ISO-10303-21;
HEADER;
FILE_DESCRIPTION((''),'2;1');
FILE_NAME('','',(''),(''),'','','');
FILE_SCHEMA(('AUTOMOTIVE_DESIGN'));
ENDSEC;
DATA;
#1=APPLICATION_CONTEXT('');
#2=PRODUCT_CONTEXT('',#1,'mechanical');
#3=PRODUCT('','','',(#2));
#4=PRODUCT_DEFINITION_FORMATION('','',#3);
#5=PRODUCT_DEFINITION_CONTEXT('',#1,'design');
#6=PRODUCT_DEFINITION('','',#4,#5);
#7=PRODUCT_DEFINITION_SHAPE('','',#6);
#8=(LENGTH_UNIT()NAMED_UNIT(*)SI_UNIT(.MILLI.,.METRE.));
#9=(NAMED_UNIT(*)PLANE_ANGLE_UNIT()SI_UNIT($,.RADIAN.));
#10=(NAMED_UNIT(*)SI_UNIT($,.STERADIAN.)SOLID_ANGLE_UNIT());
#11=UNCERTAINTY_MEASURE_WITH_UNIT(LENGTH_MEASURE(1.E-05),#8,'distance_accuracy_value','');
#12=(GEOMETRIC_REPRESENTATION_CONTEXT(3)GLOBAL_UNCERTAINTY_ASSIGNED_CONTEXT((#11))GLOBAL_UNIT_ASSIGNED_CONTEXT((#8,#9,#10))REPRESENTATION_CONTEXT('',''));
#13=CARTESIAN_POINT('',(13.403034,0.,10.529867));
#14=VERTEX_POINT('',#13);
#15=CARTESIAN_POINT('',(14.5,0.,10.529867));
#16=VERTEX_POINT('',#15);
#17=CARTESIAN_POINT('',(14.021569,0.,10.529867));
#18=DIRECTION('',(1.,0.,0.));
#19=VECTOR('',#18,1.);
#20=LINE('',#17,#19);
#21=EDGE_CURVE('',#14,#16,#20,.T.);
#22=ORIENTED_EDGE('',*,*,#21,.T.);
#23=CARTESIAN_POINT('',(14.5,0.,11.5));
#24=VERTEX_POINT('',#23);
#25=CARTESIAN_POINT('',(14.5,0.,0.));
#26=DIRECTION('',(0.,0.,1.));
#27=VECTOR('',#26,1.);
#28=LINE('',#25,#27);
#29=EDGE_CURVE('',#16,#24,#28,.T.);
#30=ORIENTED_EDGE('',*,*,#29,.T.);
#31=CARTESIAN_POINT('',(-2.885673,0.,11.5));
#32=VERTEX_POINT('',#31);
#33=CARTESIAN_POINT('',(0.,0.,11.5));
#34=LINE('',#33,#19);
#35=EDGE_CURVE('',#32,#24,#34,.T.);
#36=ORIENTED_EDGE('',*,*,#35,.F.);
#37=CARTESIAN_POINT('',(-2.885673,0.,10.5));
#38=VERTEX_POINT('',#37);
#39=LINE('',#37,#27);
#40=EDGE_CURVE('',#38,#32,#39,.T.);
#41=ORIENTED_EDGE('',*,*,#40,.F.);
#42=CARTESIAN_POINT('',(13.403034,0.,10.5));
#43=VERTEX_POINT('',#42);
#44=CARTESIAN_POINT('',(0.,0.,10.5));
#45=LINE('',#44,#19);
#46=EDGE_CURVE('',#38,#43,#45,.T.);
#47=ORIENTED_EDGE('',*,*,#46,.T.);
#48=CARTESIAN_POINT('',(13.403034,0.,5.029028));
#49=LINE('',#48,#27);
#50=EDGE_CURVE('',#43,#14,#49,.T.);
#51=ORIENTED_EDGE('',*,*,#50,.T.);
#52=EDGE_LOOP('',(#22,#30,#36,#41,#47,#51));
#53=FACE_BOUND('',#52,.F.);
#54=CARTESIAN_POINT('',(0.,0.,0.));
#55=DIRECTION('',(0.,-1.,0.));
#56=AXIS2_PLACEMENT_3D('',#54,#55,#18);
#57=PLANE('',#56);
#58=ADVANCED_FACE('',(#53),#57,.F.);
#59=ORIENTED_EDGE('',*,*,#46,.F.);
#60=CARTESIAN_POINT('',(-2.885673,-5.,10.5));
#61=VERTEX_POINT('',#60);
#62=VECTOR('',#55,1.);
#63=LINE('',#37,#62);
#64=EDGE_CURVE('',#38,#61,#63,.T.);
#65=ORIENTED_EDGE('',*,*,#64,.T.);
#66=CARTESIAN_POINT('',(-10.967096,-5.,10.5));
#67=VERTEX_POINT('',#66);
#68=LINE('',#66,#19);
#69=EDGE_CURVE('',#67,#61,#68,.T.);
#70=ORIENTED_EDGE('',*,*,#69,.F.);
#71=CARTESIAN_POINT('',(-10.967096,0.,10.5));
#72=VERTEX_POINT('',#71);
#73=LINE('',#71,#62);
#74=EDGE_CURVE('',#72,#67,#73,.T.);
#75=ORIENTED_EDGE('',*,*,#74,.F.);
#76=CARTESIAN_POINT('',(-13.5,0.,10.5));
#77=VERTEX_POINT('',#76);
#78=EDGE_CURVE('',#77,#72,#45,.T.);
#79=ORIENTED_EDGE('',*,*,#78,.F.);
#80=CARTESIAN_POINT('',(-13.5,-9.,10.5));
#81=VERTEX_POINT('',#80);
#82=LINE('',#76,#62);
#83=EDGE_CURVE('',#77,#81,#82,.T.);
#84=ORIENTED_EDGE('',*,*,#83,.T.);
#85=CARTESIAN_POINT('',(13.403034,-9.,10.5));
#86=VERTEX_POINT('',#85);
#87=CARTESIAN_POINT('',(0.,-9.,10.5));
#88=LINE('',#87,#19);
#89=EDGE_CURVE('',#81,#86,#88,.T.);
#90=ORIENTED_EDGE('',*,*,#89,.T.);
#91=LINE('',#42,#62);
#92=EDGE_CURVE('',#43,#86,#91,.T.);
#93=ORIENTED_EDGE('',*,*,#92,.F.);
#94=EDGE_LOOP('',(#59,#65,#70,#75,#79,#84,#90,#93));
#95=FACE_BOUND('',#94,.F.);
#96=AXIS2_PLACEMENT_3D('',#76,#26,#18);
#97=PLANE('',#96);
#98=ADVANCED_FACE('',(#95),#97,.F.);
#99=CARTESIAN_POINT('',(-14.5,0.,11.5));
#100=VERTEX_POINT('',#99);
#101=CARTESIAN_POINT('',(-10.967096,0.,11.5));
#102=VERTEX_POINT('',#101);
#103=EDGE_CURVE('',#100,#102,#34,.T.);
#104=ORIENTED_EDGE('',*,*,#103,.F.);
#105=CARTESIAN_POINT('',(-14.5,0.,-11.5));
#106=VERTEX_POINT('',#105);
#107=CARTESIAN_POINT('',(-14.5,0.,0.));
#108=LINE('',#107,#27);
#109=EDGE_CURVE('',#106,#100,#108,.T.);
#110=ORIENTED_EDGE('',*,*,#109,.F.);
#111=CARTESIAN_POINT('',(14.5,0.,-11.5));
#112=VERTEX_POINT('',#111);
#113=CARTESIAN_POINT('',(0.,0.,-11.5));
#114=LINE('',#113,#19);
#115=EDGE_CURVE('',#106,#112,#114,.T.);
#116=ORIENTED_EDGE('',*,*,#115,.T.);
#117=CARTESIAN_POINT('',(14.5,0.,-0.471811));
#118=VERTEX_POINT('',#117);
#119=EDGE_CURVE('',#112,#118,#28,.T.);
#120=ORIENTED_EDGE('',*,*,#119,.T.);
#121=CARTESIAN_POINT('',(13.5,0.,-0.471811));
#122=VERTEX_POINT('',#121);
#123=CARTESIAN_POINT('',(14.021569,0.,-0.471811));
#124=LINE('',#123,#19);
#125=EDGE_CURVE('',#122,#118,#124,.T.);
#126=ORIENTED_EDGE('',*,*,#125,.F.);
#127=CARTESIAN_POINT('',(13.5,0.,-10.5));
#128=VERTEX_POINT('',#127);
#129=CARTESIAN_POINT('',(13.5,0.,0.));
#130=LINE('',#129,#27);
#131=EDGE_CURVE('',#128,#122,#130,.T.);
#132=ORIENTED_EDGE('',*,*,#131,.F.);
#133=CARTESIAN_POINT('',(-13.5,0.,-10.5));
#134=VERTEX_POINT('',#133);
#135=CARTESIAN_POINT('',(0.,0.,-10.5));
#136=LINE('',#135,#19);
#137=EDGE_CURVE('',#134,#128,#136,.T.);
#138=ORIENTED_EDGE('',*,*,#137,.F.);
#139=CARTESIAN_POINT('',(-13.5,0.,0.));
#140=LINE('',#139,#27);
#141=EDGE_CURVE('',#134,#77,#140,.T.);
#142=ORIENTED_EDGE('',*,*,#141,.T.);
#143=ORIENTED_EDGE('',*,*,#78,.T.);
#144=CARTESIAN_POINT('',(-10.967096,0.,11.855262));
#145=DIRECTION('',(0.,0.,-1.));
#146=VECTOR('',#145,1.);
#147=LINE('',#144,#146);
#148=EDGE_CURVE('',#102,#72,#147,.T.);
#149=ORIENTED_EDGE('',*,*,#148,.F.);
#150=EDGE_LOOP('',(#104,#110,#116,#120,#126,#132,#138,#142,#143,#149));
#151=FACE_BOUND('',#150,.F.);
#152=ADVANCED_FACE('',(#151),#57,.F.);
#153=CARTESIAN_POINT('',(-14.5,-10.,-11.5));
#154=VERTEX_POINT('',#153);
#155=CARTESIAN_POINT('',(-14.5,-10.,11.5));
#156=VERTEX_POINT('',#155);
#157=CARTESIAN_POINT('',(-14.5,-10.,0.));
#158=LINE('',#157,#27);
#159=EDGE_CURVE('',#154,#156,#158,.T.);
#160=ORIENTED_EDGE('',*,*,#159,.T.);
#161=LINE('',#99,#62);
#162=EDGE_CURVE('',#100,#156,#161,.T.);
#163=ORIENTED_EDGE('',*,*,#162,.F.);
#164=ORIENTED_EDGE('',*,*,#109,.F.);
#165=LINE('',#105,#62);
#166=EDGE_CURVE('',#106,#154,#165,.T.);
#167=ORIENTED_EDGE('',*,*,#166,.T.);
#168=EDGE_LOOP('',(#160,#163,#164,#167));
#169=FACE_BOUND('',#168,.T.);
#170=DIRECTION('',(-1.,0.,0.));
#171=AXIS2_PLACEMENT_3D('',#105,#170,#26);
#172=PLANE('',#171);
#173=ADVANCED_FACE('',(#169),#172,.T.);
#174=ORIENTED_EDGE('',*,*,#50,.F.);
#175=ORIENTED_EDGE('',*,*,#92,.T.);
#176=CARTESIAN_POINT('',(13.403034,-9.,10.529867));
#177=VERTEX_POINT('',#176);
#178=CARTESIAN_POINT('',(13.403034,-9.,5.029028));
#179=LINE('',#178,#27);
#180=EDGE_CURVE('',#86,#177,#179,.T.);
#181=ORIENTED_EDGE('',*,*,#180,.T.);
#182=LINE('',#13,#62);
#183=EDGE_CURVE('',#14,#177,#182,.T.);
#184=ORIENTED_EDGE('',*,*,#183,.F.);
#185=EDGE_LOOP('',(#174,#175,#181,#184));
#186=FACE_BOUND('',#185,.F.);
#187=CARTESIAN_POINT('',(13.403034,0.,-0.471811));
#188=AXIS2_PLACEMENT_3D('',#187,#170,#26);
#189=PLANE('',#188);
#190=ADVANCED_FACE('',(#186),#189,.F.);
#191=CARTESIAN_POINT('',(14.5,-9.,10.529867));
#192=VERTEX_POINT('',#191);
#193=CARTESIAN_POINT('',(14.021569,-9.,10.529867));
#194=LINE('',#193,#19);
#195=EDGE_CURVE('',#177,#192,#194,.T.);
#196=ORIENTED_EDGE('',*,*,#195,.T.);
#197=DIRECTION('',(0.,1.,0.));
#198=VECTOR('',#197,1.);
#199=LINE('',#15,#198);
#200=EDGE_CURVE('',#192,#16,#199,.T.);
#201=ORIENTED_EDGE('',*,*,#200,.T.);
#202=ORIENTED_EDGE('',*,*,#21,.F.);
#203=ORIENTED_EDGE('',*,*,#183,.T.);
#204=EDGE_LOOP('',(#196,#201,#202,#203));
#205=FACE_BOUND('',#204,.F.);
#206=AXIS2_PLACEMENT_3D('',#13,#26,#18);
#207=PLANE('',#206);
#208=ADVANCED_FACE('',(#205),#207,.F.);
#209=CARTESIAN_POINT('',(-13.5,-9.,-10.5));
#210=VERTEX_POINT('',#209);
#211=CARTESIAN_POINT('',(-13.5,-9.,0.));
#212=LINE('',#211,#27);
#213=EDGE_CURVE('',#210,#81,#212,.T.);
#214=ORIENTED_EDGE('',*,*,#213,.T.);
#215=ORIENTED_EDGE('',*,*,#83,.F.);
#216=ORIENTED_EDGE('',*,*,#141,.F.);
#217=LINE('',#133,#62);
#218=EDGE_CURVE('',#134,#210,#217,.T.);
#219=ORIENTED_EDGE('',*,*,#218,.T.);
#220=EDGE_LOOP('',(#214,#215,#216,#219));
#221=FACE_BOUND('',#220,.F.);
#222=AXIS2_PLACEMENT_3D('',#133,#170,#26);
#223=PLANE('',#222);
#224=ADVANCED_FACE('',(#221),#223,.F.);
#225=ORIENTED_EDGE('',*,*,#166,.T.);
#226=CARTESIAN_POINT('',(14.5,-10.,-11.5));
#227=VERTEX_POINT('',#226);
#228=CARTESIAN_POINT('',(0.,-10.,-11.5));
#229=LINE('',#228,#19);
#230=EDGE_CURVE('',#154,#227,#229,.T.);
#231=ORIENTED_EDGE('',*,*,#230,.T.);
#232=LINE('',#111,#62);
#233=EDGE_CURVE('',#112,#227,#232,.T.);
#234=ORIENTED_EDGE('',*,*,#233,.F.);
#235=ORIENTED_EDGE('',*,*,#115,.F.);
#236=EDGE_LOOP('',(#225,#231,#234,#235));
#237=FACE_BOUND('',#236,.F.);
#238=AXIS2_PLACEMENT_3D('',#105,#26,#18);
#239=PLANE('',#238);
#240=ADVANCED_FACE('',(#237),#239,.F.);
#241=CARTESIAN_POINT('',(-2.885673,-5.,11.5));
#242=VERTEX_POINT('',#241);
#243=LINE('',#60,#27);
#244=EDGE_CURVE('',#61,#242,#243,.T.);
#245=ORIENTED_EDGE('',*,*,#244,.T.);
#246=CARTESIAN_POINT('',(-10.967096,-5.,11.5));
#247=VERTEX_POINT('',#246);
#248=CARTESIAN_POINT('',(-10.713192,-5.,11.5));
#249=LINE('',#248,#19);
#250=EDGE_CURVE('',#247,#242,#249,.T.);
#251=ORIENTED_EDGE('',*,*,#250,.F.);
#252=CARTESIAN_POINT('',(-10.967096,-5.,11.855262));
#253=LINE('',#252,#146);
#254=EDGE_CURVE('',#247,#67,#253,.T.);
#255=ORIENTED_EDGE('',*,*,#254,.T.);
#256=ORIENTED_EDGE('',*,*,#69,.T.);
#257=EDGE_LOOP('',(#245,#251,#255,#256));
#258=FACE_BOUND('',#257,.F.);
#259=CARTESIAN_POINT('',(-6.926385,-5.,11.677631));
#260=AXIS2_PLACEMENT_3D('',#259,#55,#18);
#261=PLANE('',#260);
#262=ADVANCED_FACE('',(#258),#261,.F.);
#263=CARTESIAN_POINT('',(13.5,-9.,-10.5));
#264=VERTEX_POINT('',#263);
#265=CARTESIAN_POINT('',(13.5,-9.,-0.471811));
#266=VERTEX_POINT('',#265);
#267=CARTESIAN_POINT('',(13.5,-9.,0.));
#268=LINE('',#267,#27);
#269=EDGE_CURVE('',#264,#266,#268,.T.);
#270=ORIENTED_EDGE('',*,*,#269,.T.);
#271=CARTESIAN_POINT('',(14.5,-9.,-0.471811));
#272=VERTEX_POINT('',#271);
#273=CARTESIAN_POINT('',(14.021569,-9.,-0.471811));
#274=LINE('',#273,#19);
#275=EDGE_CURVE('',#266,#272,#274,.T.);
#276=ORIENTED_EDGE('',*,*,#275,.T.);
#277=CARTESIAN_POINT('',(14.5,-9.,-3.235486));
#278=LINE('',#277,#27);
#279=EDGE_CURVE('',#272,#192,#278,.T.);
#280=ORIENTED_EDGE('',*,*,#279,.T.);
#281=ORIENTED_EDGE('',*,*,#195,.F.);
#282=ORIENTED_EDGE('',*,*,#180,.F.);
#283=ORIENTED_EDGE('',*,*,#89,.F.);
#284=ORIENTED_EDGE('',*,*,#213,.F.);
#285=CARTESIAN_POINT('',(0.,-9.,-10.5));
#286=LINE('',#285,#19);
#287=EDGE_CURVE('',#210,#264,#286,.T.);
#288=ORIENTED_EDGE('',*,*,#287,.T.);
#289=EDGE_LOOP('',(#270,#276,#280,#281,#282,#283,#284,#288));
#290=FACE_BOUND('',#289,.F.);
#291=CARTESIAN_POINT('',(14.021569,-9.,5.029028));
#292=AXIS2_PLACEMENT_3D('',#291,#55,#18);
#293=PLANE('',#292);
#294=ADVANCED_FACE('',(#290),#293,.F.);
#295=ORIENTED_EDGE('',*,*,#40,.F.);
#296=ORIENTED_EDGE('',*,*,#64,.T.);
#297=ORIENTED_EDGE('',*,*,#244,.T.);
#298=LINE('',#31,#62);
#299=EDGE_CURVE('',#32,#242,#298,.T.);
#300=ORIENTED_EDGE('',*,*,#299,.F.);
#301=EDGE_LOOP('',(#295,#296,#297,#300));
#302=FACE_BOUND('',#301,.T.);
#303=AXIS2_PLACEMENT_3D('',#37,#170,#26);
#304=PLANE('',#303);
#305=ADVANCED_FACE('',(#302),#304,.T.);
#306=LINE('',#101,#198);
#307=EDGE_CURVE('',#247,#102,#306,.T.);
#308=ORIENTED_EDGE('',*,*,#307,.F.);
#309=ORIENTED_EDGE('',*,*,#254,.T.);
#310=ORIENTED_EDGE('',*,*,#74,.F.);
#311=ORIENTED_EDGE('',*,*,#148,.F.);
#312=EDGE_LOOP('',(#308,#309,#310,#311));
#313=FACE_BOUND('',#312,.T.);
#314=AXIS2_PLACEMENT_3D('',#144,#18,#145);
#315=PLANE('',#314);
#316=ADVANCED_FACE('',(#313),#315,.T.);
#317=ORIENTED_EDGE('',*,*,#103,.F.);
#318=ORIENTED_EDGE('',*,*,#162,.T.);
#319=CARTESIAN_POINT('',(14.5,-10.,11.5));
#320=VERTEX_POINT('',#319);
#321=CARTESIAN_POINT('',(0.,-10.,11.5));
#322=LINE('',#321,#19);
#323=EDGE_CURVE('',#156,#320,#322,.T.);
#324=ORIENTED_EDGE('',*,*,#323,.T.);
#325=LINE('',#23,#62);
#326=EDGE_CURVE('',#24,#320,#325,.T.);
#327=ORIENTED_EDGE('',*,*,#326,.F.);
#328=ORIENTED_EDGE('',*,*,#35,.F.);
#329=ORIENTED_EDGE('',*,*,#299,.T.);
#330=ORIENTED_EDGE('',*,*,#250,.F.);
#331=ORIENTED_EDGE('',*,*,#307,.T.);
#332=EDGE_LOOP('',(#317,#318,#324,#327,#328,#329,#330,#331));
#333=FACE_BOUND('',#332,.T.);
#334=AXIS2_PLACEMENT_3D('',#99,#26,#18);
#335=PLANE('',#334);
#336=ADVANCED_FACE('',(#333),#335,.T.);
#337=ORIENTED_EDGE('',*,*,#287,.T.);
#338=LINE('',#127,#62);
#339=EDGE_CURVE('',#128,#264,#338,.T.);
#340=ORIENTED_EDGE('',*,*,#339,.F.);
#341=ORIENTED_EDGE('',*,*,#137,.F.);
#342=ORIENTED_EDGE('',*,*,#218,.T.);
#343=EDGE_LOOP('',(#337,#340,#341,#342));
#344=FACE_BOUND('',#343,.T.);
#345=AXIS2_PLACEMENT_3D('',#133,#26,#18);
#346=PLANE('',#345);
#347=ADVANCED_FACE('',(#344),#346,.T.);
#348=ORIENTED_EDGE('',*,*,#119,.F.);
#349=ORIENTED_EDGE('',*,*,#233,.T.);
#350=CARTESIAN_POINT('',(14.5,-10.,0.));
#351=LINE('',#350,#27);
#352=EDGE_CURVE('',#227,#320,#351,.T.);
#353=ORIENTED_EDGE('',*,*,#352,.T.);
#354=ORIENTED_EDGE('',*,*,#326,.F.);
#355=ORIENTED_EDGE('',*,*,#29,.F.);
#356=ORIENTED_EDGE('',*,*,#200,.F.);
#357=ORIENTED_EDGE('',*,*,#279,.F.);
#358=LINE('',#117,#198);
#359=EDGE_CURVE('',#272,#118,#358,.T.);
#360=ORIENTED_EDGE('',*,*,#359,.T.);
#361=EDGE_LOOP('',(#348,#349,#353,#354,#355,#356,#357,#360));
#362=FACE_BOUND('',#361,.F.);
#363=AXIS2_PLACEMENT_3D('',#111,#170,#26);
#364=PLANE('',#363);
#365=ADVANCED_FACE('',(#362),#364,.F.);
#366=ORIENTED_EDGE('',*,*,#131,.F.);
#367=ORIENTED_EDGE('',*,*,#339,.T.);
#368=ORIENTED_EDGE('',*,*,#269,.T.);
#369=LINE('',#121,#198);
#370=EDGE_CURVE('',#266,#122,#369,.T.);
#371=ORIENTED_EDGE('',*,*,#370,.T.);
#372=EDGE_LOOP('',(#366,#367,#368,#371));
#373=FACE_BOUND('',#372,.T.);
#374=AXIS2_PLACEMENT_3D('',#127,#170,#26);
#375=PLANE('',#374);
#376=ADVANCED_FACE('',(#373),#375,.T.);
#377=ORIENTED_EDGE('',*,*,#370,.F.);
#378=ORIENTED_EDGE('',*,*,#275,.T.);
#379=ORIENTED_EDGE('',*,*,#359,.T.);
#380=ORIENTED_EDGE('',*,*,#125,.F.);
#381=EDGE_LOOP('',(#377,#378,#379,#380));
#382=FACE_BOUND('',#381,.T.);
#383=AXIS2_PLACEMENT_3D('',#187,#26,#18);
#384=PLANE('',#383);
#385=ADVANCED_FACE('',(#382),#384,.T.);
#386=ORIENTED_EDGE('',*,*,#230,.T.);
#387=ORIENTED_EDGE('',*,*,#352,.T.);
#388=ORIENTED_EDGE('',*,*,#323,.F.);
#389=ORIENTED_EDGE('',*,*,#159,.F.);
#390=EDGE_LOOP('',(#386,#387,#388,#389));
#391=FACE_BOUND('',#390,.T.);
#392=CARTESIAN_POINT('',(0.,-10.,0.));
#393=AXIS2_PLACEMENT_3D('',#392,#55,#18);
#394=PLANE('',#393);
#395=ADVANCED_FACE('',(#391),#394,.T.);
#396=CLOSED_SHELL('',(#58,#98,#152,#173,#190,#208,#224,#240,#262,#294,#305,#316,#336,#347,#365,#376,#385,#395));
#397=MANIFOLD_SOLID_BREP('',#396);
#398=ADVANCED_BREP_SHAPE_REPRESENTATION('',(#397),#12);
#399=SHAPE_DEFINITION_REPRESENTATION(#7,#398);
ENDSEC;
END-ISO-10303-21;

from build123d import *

# Parameters (mm, degrees)
F0_W     = 29
F0_H     = 23
F0_W_2   = 27
F0_H_2   = 21
F1_DEPTH = 10
F2_DEPTH = 9
F3_W     = 1.23707
F3_H     = 11.001679
F4_DEPTH = 9
F5_W     = 8.081423
F5_H     = 0.370867
F6_DEPTH = 5


with BuildPart() as f1:
    # F0 (on Front) → F1 (new body)
    with BuildSketch(Plane.XZ):
        Rectangle(F0_W, F0_H)
        Rectangle(F0_W_2, F0_H_2, mode=Mode.SUBTRACT)
        Rectangle(F0_W_2, F0_H_2)
    extrude(amount=F1_DEPTH)

    # F0 (on Front) → F2 (cut)
    with BuildSketch(Plane.XZ):
        Rectangle(F0_W_2, F0_H_2)
    extrude(amount=F2_DEPTH, mode=Mode.SUBTRACT)

    # F3 (on face) → F4 (cut)
    with BuildSketch(Plane.XZ):
        with Locations((14.021569, 5.029028)):
            Rectangle(F3_W, F3_H)
    extrude(amount=F4_DEPTH, mode=Mode.SUBTRACT)

    # F5 (on face) → F6 (cut)
    with BuildSketch(Plane.XZ):
        Polygon((-10.967096, 11.561035), (-10.967096, 11.5), (-2.885673, 11.5), (-2.885673, 11.855262), (-10.967096, 11.855262), align=None)
        with Locations((-6.926384, 10.314566)):
            Rectangle(F5_W, F5_H)
        Polygon((-10.967096, 11.5), (-10.967096, 10.521435), (-10.967096, 10.5), (-2.885673, 10.5), (-2.885673, 11.5), align=None)
    extrude(amount=F6_DEPTH, mode=Mode.SUBTRACT)


solid = f1.part
